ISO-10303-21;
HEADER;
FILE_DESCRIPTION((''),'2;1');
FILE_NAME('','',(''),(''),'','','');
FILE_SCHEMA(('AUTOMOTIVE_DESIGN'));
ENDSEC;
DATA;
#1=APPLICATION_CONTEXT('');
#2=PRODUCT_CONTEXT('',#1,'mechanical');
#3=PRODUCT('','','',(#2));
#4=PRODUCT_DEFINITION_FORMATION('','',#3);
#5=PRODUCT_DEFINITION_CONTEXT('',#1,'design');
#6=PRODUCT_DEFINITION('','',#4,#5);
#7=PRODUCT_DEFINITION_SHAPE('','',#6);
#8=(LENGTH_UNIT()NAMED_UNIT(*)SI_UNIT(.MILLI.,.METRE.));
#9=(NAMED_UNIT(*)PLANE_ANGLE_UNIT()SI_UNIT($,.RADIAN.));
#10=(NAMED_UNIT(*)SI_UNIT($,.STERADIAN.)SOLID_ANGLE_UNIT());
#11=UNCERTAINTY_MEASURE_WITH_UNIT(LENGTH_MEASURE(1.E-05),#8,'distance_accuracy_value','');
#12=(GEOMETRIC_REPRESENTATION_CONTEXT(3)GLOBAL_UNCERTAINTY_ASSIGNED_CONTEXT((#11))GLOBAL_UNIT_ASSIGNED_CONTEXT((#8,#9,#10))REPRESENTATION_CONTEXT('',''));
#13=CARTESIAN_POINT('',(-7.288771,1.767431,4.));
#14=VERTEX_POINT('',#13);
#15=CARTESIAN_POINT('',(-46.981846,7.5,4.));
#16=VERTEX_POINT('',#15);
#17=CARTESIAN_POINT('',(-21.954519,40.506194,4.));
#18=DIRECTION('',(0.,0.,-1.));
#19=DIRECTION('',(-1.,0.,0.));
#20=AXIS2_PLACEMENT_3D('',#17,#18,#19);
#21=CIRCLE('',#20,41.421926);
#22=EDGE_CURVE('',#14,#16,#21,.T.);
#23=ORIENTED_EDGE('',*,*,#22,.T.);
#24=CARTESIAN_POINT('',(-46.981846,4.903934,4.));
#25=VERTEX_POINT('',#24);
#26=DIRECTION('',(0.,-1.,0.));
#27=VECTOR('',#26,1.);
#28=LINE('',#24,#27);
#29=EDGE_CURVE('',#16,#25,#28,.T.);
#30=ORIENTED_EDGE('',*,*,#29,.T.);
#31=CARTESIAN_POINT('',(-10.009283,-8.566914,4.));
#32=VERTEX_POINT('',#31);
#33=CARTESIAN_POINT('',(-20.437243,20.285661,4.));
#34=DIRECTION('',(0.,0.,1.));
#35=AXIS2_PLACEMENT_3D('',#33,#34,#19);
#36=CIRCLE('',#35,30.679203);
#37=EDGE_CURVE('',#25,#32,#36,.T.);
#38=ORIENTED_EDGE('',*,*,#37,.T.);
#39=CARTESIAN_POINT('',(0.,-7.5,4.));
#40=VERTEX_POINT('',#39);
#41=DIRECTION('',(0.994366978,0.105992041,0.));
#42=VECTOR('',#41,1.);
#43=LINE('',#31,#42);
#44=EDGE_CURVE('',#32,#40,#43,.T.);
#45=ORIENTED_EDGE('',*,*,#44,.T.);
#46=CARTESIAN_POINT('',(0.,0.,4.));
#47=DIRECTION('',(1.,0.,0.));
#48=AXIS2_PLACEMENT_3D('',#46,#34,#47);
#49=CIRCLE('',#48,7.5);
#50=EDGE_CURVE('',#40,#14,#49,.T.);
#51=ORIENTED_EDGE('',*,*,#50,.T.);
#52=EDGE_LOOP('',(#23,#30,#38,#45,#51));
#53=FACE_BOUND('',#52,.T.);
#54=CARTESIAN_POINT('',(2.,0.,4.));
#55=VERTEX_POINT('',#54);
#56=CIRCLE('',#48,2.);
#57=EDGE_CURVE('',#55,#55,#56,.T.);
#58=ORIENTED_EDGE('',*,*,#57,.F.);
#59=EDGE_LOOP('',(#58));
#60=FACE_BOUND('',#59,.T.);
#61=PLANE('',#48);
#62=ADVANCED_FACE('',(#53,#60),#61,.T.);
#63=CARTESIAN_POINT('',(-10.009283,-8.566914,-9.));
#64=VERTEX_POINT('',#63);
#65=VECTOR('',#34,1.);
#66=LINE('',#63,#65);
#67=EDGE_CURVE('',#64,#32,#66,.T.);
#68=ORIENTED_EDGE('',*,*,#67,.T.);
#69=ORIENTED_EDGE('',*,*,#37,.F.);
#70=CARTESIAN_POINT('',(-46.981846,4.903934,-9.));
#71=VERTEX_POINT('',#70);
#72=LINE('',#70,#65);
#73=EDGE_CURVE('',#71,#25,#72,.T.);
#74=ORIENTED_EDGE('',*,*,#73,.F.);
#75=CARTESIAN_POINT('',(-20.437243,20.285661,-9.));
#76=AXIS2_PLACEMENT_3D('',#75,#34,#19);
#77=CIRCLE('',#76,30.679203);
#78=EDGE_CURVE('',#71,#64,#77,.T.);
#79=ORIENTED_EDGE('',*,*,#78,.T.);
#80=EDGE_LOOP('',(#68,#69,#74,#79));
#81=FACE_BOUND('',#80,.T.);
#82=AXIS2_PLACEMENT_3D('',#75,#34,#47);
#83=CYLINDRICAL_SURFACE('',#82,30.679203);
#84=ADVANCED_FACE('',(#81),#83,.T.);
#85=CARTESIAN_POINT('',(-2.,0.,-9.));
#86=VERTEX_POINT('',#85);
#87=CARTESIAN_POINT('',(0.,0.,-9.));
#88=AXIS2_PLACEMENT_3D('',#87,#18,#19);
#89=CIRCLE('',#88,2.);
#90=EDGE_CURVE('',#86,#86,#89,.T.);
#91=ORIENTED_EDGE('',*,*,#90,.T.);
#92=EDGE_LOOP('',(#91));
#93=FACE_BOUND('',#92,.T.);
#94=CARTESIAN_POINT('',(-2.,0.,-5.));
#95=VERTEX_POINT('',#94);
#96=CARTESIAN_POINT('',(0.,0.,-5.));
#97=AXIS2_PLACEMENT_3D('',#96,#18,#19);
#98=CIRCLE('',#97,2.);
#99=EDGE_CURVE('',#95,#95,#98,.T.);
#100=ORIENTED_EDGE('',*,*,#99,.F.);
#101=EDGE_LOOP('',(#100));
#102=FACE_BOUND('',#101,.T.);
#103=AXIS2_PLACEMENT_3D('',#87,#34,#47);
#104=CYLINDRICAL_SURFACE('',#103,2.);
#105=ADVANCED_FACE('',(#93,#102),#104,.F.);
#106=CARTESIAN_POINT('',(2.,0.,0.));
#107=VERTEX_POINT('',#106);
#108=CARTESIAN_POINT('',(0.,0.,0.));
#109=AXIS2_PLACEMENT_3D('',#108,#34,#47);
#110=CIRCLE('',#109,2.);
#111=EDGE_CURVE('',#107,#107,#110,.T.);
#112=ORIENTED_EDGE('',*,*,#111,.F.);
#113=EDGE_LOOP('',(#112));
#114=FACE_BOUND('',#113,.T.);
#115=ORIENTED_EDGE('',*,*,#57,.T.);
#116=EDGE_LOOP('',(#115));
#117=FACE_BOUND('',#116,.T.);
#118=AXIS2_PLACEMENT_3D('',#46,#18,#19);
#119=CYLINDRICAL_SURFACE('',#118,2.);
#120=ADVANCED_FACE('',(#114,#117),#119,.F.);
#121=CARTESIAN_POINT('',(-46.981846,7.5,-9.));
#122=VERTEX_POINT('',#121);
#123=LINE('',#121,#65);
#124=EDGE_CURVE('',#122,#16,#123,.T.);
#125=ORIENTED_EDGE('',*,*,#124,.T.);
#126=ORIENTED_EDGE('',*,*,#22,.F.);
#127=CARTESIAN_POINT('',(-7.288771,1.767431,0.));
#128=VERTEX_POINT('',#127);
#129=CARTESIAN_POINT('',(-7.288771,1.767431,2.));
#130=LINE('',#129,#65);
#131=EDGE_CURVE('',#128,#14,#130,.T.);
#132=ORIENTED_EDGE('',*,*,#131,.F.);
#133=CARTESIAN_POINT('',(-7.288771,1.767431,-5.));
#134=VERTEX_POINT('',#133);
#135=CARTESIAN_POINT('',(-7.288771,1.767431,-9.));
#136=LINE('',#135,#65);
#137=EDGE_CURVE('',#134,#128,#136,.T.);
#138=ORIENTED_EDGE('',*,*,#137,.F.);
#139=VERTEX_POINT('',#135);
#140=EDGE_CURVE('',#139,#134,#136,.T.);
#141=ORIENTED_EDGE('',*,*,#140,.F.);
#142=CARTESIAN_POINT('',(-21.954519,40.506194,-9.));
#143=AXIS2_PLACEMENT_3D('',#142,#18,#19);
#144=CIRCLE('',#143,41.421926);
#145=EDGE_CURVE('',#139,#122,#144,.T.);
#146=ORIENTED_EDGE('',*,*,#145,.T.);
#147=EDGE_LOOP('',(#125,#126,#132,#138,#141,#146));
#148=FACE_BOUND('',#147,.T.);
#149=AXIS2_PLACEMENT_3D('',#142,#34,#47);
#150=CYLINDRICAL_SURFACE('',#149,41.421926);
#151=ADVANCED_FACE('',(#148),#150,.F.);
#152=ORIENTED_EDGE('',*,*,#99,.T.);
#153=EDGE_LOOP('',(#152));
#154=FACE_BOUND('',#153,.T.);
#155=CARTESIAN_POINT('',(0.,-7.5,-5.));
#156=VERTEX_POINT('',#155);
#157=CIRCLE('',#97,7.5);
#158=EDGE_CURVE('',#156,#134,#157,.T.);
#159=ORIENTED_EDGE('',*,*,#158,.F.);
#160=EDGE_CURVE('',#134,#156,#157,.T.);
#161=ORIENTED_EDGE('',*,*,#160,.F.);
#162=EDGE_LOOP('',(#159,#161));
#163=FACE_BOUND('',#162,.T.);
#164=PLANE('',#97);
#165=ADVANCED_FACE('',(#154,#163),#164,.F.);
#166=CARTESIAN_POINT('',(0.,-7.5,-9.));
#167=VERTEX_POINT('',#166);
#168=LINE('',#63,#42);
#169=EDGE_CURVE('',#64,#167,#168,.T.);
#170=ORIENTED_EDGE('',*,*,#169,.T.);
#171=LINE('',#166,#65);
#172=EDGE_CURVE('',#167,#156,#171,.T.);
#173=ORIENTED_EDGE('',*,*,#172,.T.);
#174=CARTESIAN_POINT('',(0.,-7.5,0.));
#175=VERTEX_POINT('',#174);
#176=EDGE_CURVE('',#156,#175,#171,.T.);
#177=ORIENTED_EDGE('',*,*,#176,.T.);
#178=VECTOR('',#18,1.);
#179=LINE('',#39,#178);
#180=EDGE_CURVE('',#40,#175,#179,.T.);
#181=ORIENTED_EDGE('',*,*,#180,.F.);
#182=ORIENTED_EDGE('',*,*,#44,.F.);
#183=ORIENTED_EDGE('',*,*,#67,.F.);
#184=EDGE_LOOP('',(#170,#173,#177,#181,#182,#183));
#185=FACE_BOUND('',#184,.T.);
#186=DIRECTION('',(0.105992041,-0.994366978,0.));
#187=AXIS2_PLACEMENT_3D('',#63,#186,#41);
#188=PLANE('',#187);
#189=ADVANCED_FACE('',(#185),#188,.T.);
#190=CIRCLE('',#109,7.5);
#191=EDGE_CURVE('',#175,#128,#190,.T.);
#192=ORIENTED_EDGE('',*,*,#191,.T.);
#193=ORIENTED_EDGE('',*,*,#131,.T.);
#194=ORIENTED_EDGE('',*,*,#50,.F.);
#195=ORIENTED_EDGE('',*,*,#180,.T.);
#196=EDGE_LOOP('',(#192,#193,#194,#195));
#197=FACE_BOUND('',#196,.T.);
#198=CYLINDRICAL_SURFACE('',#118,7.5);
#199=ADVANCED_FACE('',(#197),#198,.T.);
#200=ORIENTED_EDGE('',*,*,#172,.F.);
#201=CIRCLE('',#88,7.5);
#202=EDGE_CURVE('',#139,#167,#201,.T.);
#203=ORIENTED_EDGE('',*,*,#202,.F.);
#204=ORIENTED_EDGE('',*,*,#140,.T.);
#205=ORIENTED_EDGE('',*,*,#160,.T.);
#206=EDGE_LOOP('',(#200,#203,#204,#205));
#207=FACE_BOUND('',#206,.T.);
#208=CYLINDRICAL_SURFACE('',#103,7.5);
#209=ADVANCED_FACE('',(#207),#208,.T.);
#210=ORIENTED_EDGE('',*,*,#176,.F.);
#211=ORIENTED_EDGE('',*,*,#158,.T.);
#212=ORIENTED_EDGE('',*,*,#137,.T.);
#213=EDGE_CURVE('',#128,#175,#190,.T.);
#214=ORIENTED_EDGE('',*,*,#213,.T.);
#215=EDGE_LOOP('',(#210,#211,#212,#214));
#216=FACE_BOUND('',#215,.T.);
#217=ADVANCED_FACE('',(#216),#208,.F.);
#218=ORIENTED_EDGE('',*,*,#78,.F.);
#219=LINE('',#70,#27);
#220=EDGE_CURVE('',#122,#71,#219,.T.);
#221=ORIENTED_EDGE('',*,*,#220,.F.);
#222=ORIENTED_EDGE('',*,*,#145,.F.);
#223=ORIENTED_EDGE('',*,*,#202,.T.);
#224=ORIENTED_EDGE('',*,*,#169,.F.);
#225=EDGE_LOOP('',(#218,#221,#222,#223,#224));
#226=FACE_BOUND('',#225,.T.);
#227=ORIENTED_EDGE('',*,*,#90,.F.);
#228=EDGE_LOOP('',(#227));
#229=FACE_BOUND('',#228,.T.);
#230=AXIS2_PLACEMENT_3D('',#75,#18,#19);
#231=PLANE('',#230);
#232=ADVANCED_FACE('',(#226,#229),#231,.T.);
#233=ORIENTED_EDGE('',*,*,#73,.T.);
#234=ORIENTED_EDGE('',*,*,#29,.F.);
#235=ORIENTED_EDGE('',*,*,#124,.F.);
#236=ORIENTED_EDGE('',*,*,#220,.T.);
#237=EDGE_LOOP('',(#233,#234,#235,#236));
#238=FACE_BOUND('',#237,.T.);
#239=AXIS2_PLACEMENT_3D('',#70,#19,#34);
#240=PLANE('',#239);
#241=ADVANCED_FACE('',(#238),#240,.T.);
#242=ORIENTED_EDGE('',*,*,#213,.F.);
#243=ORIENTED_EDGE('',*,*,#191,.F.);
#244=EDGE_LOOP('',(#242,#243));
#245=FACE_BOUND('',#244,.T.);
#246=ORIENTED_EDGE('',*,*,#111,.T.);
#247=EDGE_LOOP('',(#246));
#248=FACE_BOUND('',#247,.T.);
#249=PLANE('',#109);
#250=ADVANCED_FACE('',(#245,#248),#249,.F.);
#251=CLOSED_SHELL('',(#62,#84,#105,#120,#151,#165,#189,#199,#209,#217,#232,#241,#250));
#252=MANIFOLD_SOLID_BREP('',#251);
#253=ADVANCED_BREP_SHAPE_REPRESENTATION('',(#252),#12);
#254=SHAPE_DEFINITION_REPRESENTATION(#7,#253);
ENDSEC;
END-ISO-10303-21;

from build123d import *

# Parameters (mm, degrees)
CROQUIS1_R              = 7.5
CROQUIS1_R_2            = 2
SALIENTE_EXTRUIR1_DEPTH = 4
CROQUIS2_R              = 2.193779366
SALIENTE_EXTRUIR2_DEPTH = 5
CROQUIS3_R              = 7.5
CROQUIS3_R_2            = 2
SALIENTE_EXTRUIR3_DEPTH = 4
CROQUIS4_R              = 2.193779366
CORTAR_EXTRUIR1_DEPTH   = 14
SALIENTE_EXTRUIR4_DEPTH = 13


with BuildPart() as part:
    # Croquis1 → Saliente-Extruir1 (new body)
    with BuildSketch(Plane.XY):
        Circle(CROQUIS1_R)
        Circle(CROQUIS1_R_2, mode=Mode.SUBTRACT)
    extrude(amount=SALIENTE_EXTRUIR1_DEPTH)



with BuildPart() as body_2:
    # Croquis2 → Saliente-Extruir2 (new body)
    with BuildSketch(Plane(origin=(0, 0, 0), x_dir=(-1, 0, 0), z_dir=(0, 0, -1))):
        Circle(CROQUIS2_R)
    extrude(amount=SALIENTE_EXTRUIR2_DEPTH)

    # Croquis4 → Cortar-Extruir1 (cut)
    with BuildSketch(Plane(origin=(0, 0, -5), x_dir=(-1, 0, 0), z_dir=(0, 0, -1))):
        Circle(CROQUIS4_R)
    extrude(amount=-CORTAR_EXTRUIR1_DEPTH, mode=Mode.SUBTRACT)


with BuildPart() as body_3:
    # Croquis3 → Saliente-Extruir3 (new body)
    with BuildSketch(Plane(origin=(0, 0, -5), x_dir=(-1, 0, 0), z_dir=(0, 0, -1))):
        Circle(CROQUIS3_R)
        Circle(CROQUIS3_R_2, mode=Mode.SUBTRACT)
    extrude(amount=SALIENTE_EXTRUIR3_DEPTH)


with BuildPart() as part_1:
    add(part.part)

    add(body_3.part)  # Saliente-Extruir4 merges body 3
    # Croquis5 → Saliente-Extruir4 (add)
    with BuildSketch(Plane.XY.offset(4)):
        with BuildLine():
            Line((-10.009282788, -8.566914266), (0, -7.5))
            ThreePointArc((0, -7.5), (-5.895156044, -4.636500319), (-7.288771435, 1.76743061))
            ThreePointArc((-7.288771435, 1.76743061), (-27.875344012, -0.49038836), (-46.981845806, 7.5))
            Line((-46.981845806, 7.5), (-46.981845806, 4.90393409))
            ThreePointArc((-46.981845806, 4.90393409), (-30.939741801, -8.539865418), (-10.009282788, -8.566914266))
        make_face()
    extrude(amount=-SALIENTE_EXTRUIR4_DEPTH)


solid = part_1.part
